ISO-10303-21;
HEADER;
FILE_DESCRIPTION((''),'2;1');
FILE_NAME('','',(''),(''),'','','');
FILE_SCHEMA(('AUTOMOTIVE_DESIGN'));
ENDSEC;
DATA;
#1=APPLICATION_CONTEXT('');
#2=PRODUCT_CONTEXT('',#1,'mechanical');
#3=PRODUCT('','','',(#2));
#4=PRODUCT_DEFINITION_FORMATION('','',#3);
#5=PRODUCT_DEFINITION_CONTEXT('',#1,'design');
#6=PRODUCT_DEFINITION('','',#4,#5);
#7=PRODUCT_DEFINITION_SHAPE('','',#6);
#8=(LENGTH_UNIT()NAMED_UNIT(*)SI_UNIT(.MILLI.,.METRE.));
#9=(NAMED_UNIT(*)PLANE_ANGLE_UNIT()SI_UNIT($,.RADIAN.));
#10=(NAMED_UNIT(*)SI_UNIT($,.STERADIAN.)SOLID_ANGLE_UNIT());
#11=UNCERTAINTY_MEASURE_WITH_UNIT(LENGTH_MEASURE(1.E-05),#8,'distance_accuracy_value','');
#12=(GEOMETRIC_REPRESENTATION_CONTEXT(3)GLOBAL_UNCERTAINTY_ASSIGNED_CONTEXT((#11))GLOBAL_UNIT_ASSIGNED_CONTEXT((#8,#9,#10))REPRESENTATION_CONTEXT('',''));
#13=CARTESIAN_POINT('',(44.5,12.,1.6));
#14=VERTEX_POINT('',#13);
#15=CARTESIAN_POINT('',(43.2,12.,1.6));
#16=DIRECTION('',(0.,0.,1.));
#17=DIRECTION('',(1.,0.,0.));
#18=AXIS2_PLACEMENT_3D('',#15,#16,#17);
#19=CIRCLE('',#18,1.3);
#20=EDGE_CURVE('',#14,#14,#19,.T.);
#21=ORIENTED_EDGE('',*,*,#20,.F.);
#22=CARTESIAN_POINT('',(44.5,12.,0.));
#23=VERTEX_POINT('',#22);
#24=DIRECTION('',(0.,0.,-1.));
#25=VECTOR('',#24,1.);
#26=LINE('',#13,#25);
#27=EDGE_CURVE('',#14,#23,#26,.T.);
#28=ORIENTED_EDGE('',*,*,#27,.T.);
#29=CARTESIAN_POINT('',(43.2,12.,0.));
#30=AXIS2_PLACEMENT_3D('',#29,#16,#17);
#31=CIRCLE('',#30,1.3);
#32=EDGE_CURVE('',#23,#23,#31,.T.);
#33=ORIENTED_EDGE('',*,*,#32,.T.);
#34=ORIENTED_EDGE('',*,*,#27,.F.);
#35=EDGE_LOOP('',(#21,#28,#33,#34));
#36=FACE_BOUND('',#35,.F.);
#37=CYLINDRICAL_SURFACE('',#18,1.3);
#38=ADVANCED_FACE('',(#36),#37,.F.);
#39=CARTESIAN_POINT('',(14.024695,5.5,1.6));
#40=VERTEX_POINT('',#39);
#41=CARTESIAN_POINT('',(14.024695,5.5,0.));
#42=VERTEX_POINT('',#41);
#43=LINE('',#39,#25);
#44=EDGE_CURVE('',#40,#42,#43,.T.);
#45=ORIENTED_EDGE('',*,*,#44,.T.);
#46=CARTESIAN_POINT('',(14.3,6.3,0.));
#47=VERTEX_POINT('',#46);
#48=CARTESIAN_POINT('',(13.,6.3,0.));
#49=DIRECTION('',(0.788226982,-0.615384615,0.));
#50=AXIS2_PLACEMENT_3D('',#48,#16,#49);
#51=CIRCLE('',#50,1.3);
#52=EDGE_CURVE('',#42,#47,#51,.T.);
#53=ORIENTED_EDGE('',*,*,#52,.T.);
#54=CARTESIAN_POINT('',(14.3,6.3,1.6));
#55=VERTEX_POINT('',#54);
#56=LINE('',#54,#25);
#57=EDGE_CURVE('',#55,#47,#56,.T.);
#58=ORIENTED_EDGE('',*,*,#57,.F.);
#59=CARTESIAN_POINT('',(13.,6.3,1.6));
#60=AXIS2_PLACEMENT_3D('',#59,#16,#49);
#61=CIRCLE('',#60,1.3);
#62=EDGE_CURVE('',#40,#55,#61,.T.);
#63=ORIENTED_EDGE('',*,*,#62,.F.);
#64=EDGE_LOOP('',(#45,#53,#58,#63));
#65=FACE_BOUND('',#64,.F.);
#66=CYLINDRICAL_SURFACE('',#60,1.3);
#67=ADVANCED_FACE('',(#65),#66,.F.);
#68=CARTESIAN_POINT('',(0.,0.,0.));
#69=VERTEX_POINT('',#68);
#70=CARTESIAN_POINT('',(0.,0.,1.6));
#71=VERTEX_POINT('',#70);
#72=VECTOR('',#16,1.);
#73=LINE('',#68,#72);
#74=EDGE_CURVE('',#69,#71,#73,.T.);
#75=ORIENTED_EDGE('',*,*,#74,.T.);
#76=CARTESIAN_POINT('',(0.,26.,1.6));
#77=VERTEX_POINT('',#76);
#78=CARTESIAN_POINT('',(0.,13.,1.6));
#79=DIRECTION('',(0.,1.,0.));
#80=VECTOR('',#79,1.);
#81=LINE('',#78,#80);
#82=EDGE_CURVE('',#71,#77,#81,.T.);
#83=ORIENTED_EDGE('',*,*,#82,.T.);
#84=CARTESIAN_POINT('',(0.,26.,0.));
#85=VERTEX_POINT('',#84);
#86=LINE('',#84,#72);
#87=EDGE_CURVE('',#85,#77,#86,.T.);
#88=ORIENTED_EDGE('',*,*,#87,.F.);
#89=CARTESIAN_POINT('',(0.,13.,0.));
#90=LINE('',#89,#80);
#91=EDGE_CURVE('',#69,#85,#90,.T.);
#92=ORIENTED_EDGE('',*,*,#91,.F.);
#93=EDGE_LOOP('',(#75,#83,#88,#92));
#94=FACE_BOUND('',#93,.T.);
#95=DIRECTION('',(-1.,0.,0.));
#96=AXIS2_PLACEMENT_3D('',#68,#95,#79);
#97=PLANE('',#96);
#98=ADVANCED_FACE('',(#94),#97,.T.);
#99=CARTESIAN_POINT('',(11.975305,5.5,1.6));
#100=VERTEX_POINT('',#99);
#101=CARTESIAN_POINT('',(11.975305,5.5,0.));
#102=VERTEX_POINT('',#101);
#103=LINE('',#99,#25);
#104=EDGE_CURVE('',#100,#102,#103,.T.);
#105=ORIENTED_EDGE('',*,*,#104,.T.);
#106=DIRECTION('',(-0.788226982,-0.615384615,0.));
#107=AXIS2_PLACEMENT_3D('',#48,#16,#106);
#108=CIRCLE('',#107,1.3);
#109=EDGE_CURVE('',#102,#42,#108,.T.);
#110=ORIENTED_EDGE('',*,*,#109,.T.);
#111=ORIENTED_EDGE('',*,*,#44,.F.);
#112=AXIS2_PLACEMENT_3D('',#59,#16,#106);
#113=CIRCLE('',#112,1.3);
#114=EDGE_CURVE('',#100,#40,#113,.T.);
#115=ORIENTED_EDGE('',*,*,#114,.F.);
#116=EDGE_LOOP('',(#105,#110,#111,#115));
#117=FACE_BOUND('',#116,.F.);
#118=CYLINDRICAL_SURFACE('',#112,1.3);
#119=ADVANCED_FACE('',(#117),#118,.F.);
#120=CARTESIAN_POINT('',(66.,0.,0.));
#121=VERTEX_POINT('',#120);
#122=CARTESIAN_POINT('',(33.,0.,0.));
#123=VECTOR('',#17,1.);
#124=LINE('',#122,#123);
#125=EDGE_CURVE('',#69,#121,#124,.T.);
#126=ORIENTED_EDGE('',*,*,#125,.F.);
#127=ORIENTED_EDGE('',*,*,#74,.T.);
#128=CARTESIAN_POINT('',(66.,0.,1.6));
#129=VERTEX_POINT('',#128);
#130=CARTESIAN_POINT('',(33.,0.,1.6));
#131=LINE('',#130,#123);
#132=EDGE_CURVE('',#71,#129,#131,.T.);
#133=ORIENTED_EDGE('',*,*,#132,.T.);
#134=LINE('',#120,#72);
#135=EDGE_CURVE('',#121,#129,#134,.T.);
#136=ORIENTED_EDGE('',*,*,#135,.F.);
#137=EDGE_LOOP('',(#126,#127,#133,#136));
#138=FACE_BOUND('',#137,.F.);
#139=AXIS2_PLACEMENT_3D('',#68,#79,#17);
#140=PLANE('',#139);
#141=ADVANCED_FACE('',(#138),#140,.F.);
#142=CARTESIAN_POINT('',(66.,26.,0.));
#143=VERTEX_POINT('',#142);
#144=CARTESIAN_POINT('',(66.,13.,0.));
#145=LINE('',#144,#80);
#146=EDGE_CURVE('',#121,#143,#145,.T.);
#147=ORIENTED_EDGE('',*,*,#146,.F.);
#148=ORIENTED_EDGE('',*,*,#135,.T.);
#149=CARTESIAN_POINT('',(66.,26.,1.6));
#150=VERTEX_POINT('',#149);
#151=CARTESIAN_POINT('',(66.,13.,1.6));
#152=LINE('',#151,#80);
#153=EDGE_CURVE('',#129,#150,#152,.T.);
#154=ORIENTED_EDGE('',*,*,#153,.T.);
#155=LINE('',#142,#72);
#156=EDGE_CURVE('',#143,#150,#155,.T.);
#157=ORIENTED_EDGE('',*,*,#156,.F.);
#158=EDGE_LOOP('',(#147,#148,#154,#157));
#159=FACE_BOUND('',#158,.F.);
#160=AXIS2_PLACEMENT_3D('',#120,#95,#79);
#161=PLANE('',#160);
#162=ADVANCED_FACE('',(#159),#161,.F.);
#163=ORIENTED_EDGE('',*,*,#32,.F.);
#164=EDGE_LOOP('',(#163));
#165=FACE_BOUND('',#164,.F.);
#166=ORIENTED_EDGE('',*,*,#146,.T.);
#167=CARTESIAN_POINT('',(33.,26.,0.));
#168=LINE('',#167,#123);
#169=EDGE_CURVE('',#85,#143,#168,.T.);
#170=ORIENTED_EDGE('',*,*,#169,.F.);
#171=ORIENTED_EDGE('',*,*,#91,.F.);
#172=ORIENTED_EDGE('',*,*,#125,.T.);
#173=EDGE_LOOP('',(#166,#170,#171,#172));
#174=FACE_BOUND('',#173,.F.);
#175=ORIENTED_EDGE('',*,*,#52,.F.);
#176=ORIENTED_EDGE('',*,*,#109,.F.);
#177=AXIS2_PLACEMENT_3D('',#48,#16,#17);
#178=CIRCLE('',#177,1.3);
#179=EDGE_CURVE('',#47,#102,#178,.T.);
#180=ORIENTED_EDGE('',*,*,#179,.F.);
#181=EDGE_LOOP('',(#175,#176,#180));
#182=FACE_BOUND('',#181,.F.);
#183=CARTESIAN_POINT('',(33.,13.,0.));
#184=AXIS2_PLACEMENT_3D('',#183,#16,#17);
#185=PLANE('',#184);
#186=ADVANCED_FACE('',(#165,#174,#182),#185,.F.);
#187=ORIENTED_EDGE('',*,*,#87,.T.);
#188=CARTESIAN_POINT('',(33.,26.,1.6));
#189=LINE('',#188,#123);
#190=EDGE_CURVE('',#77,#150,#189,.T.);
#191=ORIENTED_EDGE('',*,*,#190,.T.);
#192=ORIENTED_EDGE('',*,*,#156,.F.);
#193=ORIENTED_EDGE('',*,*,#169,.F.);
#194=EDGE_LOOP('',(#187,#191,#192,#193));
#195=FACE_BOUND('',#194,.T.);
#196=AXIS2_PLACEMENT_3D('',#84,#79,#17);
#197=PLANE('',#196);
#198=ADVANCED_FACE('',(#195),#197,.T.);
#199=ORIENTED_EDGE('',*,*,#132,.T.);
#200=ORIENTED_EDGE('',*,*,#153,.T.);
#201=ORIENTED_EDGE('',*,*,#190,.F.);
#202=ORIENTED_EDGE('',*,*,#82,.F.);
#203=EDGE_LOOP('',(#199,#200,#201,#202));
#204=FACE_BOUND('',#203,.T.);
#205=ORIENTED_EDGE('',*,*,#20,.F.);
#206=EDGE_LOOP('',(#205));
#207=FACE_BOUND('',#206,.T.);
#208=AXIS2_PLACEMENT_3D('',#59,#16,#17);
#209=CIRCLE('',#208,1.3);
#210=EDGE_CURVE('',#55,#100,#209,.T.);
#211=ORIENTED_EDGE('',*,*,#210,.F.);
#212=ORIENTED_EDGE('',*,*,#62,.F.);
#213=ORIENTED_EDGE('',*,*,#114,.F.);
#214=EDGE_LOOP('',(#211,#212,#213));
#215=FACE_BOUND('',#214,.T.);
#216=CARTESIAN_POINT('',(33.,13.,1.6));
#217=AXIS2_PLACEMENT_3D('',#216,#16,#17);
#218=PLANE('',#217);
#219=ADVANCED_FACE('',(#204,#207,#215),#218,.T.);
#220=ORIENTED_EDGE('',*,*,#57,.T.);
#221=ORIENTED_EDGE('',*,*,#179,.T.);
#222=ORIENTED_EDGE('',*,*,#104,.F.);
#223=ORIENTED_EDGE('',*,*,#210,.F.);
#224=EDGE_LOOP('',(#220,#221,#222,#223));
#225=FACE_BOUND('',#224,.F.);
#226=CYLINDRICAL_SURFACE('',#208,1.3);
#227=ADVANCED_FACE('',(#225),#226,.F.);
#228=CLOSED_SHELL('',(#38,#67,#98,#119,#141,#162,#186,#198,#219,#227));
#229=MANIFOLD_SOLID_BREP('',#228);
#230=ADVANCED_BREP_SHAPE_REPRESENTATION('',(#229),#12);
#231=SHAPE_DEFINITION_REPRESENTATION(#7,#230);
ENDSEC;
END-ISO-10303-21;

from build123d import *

# Parameters (mm, degrees)
F0_W     = 66
F0_H     = 26
F1_DEPTH = 1.6
F3_R     = 1.3
F4_DEPTH = 1.6


with BuildPart() as f1:
    # F0 (on Top) → F1 (new body)
    with BuildSketch(Plane.XY):
        with Locations((33, 13)):
            Rectangle(F0_W, F0_H)
    extrude(amount=F1_DEPTH)

    # F3 (on face) → F4 (cut, through all)
    with BuildSketch(Plane.XY.offset(1.6)):
        with BuildLine():
            Line((14.0246950766, 5.5), (11.9753049234, 5.5))
            ThreePointArc((11.9753049234, 5.5), (13, 5), (14.0246950766, 5.5))
        make_face()
        with BuildLine():
            ThreePointArc((14.0246950766, 5.5), (14.2292484695, 5.8769773053), (14.3, 6.3))
            ThreePointArc((14.3, 6.3), (12.5769773053, 7.5292484695), (11.9753049234, 5.5))
            Line((11.9753049234, 5.5), (14.0246950766, 5.5))
        make_face()
        with Locations((43.2, 12)):
            Circle(F3_R)
    extrude(amount=-F4_DEPTH, mode=Mode.SUBTRACT)


solid = f1.part
